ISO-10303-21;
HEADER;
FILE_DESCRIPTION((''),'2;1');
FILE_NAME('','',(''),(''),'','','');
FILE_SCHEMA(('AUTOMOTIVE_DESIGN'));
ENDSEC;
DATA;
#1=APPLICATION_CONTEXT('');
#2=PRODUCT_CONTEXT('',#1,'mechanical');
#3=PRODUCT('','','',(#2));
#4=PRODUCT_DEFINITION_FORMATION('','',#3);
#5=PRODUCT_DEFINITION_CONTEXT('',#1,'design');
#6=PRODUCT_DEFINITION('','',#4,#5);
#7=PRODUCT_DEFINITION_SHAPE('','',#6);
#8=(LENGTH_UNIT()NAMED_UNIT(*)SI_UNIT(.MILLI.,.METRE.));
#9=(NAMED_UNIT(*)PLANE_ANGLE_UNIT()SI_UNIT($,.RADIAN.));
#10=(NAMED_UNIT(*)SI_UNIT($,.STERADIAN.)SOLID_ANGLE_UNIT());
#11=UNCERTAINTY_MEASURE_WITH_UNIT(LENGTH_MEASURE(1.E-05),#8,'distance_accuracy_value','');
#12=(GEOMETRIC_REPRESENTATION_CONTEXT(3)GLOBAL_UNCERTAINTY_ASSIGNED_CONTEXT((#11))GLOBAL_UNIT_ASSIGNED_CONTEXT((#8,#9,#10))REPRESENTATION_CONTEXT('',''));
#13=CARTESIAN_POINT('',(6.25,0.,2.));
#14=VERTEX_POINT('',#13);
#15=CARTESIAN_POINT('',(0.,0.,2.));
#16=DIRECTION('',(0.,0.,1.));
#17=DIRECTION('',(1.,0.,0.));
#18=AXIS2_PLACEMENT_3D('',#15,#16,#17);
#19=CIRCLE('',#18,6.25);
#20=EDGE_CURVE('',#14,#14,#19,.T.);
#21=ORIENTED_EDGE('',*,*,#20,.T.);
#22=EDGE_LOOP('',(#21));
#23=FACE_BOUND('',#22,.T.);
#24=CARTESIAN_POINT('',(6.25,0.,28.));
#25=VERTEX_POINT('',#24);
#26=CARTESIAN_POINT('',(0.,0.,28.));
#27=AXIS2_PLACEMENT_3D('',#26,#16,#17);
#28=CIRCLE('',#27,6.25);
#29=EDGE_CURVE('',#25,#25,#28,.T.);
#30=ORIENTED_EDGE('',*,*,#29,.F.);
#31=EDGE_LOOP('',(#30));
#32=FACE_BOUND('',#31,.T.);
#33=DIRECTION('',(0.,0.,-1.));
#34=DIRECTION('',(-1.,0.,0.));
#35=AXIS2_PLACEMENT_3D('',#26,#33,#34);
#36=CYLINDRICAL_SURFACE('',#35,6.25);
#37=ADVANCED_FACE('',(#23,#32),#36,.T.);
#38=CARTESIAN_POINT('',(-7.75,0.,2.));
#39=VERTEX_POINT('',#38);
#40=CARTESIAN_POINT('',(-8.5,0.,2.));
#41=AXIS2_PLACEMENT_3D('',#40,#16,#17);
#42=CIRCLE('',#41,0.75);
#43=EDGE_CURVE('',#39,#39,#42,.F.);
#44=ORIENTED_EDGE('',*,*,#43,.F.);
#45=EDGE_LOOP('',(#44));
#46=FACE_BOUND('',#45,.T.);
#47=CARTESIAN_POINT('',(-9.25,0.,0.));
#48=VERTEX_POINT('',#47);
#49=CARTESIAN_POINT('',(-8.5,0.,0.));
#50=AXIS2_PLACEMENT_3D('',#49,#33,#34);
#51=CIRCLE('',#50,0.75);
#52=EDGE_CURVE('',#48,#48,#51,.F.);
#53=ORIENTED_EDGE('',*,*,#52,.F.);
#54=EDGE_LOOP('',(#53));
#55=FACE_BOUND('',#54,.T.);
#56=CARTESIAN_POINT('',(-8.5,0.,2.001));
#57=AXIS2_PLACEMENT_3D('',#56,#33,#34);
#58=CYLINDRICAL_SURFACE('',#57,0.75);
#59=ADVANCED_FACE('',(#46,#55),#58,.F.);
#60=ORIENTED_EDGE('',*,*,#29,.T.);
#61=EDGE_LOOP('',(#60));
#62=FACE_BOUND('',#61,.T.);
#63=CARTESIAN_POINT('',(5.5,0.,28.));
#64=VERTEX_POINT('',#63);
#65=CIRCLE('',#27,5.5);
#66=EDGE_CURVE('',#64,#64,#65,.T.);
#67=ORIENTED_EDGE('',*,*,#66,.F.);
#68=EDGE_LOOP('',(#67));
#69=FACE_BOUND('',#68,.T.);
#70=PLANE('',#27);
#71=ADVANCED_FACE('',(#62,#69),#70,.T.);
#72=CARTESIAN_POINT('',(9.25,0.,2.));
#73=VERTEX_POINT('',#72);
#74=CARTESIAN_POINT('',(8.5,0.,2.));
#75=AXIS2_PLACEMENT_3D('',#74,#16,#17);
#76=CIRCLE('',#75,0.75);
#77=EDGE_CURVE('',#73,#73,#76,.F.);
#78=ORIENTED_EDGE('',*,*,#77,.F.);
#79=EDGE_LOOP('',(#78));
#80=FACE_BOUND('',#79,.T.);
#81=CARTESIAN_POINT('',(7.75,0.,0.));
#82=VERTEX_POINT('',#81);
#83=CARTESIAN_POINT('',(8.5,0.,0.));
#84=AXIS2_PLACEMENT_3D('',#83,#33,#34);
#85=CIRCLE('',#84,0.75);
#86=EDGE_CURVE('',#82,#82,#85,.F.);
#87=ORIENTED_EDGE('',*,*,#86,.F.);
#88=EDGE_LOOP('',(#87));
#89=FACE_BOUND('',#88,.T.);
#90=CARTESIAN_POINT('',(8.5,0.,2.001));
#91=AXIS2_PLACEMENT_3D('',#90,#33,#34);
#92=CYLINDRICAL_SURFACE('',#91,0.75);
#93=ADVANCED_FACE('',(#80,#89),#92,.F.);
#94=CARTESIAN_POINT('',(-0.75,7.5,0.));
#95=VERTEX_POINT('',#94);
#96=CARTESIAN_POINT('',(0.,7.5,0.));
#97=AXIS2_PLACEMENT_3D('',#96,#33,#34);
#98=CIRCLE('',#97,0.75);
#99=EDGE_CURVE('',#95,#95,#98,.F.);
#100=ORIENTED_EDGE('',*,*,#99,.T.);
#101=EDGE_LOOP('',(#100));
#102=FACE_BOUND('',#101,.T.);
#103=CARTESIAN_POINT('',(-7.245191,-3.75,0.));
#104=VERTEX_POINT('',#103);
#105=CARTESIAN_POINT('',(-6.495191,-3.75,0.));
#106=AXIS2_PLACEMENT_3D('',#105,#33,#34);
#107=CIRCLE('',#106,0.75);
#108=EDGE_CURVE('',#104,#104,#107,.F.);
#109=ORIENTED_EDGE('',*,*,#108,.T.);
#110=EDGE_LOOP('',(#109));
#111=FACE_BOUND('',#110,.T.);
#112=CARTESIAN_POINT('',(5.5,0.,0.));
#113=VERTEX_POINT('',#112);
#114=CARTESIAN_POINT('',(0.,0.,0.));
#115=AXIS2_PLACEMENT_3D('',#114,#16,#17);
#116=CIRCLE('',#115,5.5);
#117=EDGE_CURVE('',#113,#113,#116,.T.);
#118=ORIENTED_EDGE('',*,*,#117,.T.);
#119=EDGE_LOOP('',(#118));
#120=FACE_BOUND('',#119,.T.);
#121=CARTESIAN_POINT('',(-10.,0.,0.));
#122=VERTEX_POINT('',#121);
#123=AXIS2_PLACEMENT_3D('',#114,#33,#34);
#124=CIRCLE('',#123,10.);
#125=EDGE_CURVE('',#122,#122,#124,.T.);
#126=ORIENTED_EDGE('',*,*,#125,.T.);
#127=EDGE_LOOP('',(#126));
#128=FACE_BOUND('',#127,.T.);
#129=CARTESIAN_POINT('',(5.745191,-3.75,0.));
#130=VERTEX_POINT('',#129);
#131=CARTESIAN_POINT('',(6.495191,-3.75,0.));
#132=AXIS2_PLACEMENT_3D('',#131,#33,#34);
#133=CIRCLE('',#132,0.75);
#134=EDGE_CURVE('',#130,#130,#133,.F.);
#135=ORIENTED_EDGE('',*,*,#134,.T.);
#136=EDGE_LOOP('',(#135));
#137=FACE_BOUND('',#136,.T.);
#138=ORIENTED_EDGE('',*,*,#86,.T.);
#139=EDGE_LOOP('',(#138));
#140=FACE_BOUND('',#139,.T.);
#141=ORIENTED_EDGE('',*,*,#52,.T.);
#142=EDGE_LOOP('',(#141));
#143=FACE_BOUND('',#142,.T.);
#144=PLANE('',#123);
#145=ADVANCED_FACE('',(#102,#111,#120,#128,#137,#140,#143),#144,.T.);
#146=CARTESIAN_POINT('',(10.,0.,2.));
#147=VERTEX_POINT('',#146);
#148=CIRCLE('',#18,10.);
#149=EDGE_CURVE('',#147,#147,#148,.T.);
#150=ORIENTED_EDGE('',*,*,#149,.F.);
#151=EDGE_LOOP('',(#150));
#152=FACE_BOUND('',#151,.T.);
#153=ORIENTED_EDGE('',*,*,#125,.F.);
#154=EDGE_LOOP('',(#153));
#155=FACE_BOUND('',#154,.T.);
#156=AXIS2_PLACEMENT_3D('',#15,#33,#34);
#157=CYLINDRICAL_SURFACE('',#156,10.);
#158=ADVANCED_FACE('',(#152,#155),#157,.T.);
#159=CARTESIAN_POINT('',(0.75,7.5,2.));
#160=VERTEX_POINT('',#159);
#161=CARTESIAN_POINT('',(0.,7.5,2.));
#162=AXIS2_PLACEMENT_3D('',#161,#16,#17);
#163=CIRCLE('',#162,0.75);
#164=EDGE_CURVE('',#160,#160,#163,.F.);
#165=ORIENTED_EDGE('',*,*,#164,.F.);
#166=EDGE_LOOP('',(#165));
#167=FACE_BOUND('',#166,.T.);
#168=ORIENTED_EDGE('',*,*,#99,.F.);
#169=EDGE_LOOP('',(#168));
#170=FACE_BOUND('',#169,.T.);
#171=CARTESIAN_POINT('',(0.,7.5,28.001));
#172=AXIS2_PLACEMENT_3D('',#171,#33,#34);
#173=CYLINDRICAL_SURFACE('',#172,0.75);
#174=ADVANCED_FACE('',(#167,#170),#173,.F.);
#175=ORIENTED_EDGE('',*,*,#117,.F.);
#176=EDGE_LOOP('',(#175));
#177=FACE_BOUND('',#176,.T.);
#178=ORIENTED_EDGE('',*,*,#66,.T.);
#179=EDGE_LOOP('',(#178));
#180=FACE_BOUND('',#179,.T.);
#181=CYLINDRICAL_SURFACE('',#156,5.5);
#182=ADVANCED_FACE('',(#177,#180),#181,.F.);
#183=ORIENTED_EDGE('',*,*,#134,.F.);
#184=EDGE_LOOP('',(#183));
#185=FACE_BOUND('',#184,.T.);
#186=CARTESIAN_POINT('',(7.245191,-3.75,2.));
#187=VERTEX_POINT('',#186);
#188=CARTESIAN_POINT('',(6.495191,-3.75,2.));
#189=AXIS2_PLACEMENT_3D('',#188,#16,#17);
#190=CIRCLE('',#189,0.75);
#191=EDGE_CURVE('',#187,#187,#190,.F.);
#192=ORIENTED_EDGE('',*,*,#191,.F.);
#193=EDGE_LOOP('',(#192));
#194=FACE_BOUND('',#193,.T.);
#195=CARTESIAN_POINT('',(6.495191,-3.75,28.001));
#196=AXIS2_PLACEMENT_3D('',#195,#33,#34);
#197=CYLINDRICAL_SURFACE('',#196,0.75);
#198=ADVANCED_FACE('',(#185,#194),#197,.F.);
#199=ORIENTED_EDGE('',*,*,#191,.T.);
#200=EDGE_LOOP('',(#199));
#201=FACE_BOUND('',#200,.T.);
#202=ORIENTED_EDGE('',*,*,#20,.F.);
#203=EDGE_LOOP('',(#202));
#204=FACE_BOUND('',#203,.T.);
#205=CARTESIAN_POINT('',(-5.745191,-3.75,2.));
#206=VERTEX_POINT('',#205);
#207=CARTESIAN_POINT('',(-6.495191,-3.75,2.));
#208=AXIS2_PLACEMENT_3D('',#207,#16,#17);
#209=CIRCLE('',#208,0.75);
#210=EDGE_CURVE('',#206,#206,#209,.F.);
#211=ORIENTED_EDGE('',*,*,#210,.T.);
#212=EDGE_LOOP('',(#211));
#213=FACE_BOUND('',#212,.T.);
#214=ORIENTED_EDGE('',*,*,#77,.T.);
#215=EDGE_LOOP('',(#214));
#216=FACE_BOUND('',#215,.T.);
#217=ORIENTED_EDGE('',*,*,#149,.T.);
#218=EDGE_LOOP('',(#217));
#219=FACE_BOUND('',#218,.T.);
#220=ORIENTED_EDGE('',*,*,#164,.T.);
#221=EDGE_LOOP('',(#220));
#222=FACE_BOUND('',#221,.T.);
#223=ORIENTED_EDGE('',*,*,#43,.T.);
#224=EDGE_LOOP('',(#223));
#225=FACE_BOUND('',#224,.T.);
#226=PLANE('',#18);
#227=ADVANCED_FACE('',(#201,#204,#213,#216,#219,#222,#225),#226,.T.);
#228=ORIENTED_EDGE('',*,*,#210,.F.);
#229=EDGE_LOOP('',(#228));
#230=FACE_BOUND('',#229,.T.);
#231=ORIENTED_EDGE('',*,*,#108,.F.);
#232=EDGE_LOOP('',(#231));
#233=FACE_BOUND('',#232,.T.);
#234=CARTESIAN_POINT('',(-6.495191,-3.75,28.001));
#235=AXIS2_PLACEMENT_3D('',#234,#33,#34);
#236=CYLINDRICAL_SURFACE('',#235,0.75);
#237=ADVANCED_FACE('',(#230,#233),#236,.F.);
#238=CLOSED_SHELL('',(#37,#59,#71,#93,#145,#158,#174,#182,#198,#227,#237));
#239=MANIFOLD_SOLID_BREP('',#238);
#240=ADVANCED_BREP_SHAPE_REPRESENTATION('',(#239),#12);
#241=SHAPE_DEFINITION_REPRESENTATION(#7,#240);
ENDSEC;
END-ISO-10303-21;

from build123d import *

# Parameters (mm, degrees)
SKETCH1_R           = 10
SKETCH1_R_2         = 5.5
BOSS_EXTRUDE1_DEPTH = 2
SKETCH3_R           = 3
BOSS_EXTRUDE2_DEPTH = 12
SKETCH4_R           = 10
SKETCH4_R_2         = 3
BOSS_EXTRUDE3_DEPTH = 2
CHAMFER2_SIZE       = 1
CHAMFER4_SIZE       = 0.5
CUT_EXTRUDE1_REACH  = 6
SKETCH5_R           = 0.75
SKETCH6_R           = 6.25
SKETCH6_R_2         = 5.5
BOSS_EXTRUDE4_DEPTH = 26
CUT_EXTRUDE2_REACH  = 32
SKETCH7_R           = 0.75
SKETCH8_R           = 16.614534325
CUT_EXTRUDE3_DEPTH  = 12


with BuildPart() as part:
    # Sketch1 → Boss-Extrude1 (new body)
    with BuildSketch(Plane.XY):
        Circle(SKETCH1_R)
        Circle(SKETCH1_R_2, mode=Mode.SUBTRACT)
    extrude(amount=BOSS_EXTRUDE1_DEPTH)



with BuildPart() as body_2:
    # Sketch3 → Boss-Extrude2 (new body)
    with BuildSketch(Plane(origin=(0, 0, 0), x_dir=(-1, 0, 0), z_dir=(0, 0, -1))):
        Circle(SKETCH3_R)
    extrude(amount=BOSS_EXTRUDE2_DEPTH)


with BuildPart() as part_1:
    add(part.part)

    add(body_2.part)  # Boss-Extrude3 merges body 2
    # Sketch4 → Boss-Extrude3 (add)
    with BuildSketch(Plane(origin=(0, 0, 0), x_dir=(-1, 0, 0), z_dir=(0, 0, -1))):
        Circle(SKETCH4_R)
        Circle(SKETCH4_R_2, mode=Mode.SUBTRACT)
    extrude(amount=BOSS_EXTRUDE3_DEPTH)

    # Chamfer2
    chamfer2_edges = [part_1.edges().sort_by_distance(p)[0] for p in [
        (3, 0, -2),
    ]]
    chamfer(chamfer2_edges, length=CHAMFER2_SIZE)

    # Chamfer4
    chamfer4_edges = [part_1.edges().sort_by_distance(p)[0] for p in [
        (3, 0, -12),
    ]]
    chamfer(chamfer4_edges, length=CHAMFER4_SIZE)

    # Sketch5 → Cut-Extrude1 (cut, up to next)
    with BuildSketch(Plane(origin=(0, 0, -2), x_dir=(-1, 0, 0), z_dir=(0, 0, -1)), mode=Mode.PRIVATE) as cut_extrude1_sk1:
        with Locations((-8.5, 0)):
            Circle(SKETCH5_R)
    cut_extrude1_tool1 = extrude(cut_extrude1_sk1.sketch, amount=-CUT_EXTRUDE1_REACH, mode=Mode.PRIVATE) & part_1.part
    add(cut_extrude1_tool1.solids().sort_by_distance((8.5, 0, -2))[0], mode=Mode.SUBTRACT)
    # Sketch5 → Cut-Extrude1 (cut, up to next)
    with BuildSketch(Plane(origin=(0, 0, -2), x_dir=(-1, 0, 0), z_dir=(0, 0, -1)), mode=Mode.PRIVATE) as cut_extrude1_sk2:
        with Locations((8.5, 0)):
            Circle(SKETCH5_R)
    cut_extrude1_tool2 = extrude(cut_extrude1_sk2.sketch, amount=-CUT_EXTRUDE1_REACH, mode=Mode.PRIVATE) & part_1.part
    add(cut_extrude1_tool2.solids().sort_by_distance((-8.5, 0, -2))[0], mode=Mode.SUBTRACT)

    # Sketch6 → Boss-Extrude4 (add)
    with BuildSketch(Plane.XY.offset(2)):
        Circle(SKETCH6_R)
        Circle(SKETCH6_R_2, mode=Mode.SUBTRACT)
    extrude(amount=BOSS_EXTRUDE4_DEPTH)

    # Sketch7 → Cut-Extrude2 (cut, up to next)
    with BuildSketch(Plane(origin=(0, 0, -2), x_dir=(-1, 0, 0), z_dir=(0, 0, -1)), mode=Mode.PRIVATE) as cut_extrude2_sk1:
        with Locations((0, 7.5)):
            Circle(SKETCH7_R)
    cut_extrude2_tool1 = extrude(cut_extrude2_sk1.sketch, amount=-CUT_EXTRUDE2_REACH, mode=Mode.PRIVATE) & part_1.part
    add(cut_extrude2_tool1.solids().sort_by_distance((0, 7.5, -2))[0], mode=Mode.SUBTRACT)
    # Sketch7 → Cut-Extrude2 (cut, up to next)
    with BuildSketch(Plane(origin=(0, 0, -2), x_dir=(-1, 0, 0), z_dir=(0, 0, -1)), mode=Mode.PRIVATE) as cut_extrude2_sk2:
        with Locations((6.495190528, -3.75)):
            Circle(SKETCH7_R)
    cut_extrude2_tool2 = extrude(cut_extrude2_sk2.sketch, amount=-CUT_EXTRUDE2_REACH, mode=Mode.PRIVATE) & part_1.part
    add(cut_extrude2_tool2.solids().sort_by_distance((-6.495191, -3.75, -2))[0], mode=Mode.SUBTRACT)
    # Sketch7 → Cut-Extrude2 (cut, up to next)
    with BuildSketch(Plane(origin=(0, 0, -2), x_dir=(-1, 0, 0), z_dir=(0, 0, -1)), mode=Mode.PRIVATE) as cut_extrude2_sk3:
        with Locations((-6.495190528, -3.75)):
            Circle(SKETCH7_R)
    cut_extrude2_tool3 = extrude(cut_extrude2_sk3.sketch, amount=-CUT_EXTRUDE2_REACH, mode=Mode.PRIVATE) & part_1.part
    add(cut_extrude2_tool3.solids().sort_by_distance((6.495191, -3.75, -2))[0], mode=Mode.SUBTRACT)

    # Sketch8 → Cut-Extrude3 (cut)
    with BuildSketch(Plane(origin=(0, 0, -12), x_dir=(-1, 0, 0), z_dir=(0, 0, -1))):
        Circle(SKETCH8_R)
    extrude(amount=-CUT_EXTRUDE3_DEPTH, mode=Mode.SUBTRACT)


solid = part_1.part
